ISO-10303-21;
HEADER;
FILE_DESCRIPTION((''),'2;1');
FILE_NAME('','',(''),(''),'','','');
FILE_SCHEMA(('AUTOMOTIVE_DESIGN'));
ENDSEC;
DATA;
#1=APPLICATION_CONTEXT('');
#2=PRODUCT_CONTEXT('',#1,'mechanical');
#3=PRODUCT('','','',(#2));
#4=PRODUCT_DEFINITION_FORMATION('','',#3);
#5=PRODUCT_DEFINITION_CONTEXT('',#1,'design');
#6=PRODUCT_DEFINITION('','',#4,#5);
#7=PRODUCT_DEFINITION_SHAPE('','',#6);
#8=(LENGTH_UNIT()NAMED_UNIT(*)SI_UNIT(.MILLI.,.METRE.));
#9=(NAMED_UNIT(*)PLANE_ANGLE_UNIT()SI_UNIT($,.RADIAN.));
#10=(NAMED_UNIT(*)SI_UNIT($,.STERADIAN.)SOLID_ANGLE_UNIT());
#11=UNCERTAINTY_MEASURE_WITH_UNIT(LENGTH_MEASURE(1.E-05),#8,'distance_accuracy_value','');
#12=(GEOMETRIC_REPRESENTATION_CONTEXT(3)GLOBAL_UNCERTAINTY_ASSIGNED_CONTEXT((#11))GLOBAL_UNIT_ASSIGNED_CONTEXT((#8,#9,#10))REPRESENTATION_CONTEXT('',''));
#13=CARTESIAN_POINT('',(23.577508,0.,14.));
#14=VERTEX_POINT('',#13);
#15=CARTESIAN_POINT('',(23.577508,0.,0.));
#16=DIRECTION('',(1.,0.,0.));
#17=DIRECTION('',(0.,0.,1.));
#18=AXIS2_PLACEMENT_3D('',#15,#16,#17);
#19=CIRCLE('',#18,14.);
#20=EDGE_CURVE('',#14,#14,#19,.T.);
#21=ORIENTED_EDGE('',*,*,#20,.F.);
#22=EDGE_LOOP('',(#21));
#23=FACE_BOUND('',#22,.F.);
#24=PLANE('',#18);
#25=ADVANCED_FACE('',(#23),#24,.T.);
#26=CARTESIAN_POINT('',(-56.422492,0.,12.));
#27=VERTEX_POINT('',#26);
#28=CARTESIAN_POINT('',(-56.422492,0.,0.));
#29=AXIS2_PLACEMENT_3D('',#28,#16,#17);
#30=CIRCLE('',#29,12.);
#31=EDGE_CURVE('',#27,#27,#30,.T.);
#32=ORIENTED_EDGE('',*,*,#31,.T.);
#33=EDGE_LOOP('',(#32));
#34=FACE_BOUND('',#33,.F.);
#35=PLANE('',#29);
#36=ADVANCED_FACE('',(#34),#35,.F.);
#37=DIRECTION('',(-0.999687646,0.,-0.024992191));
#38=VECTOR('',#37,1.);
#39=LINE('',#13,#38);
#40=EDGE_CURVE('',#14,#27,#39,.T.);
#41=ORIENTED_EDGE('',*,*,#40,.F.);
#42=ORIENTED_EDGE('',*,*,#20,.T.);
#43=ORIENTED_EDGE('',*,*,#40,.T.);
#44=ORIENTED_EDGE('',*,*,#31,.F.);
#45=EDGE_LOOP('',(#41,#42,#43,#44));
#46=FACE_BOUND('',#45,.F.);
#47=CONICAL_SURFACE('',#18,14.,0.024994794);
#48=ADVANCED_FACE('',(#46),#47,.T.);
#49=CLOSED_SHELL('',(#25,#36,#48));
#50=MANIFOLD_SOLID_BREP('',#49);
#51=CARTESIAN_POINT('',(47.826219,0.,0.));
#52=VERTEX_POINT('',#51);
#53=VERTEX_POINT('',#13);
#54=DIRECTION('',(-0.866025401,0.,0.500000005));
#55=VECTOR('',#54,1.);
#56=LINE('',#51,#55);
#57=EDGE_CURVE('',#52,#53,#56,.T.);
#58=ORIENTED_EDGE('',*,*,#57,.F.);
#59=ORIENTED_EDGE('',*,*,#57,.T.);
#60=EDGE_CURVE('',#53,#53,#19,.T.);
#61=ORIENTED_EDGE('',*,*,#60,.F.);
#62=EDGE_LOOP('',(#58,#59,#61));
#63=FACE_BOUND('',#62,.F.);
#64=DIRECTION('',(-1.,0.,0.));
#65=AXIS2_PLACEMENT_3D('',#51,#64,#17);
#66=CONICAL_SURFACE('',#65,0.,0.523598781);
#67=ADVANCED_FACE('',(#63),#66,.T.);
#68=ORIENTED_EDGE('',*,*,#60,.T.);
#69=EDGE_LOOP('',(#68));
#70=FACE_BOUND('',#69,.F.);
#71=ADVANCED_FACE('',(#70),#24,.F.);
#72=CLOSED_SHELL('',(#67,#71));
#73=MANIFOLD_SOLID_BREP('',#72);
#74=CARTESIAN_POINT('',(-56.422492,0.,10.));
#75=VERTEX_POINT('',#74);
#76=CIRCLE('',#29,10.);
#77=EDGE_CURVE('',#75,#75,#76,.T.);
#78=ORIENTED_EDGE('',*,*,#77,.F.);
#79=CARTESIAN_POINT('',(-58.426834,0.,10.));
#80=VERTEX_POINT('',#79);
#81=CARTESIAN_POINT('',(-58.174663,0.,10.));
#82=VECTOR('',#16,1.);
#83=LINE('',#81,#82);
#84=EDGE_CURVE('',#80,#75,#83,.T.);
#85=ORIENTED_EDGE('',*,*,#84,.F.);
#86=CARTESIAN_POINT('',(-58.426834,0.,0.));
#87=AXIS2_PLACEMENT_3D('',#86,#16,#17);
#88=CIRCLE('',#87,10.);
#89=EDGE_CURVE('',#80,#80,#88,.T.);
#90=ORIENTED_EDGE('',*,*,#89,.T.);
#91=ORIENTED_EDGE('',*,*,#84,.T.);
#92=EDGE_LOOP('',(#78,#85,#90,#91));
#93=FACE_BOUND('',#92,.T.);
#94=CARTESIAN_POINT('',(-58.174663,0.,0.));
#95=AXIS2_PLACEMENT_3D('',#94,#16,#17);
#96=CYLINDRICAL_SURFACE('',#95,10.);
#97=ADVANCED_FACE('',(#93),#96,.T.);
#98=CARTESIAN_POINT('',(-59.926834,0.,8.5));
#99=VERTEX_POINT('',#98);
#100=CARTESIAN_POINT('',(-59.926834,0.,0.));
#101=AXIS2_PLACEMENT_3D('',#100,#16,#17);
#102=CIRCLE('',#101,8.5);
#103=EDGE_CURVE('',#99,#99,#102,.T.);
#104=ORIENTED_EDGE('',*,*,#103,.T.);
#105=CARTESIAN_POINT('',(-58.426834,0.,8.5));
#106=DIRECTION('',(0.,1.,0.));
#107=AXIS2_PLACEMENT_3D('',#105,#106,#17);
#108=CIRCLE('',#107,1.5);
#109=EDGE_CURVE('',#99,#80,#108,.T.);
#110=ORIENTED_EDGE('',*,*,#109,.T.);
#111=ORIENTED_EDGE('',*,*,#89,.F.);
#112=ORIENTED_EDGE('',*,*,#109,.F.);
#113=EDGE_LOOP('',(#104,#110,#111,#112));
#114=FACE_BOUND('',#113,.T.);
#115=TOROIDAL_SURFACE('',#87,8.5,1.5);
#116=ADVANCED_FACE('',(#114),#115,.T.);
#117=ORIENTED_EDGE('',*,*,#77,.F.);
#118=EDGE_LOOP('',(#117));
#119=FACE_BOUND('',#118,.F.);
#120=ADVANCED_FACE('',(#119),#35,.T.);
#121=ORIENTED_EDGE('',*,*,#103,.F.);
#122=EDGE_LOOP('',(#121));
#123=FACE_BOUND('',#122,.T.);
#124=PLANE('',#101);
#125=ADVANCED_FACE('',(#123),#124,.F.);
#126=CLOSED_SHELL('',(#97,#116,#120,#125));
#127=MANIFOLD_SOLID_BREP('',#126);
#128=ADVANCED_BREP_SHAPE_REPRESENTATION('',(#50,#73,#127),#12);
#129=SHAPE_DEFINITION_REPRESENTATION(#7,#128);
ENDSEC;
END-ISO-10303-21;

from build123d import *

# Parameters (mm, degrees)
F0_W = 3.504342
F0_H = 10
F4_R = 1.5


with BuildPart() as f1:
    # F0 (on Front) → F1 (revolve)
    with BuildSketch(Plane.XZ):
        Polygon((47.826219, 0), (23.577508, 14), (23.577508, 0), align=None)
    revolve(axis=Axis((-3.649388, 0, 0), (1, 0, 0)))


with BuildPart() as f2:
    # F0 (on Front) → F2 (revolve)
    with BuildSketch(Plane.XZ):
        Polygon((23.577508, 0), (23.577508, 14), (-56.422492, 12), (-56.422492, 10), (-56.422492, 0), align=None)
    revolve(axis=Axis((-3.649388, 0, 0), (1, 0, 0)))


with BuildPart() as f3:
    # F0 (on Front) → F3 (revolve)
    with BuildSketch(Plane.XZ):
        with Locations((-58.174663, 5)):
            Rectangle(F0_W, F0_H)
    revolve(axis=Axis((-3.649388, 0, 0), (1, 0, 0)))

    # F4
    f4_edges = [f3.edges().sort_by_distance(p)[0] for p in [
        (-59.926834, 0, -10),
    ]]
    fillet(f4_edges, radius=F4_R)


solid = Compound([f1.part, f2.part, f3.part])
